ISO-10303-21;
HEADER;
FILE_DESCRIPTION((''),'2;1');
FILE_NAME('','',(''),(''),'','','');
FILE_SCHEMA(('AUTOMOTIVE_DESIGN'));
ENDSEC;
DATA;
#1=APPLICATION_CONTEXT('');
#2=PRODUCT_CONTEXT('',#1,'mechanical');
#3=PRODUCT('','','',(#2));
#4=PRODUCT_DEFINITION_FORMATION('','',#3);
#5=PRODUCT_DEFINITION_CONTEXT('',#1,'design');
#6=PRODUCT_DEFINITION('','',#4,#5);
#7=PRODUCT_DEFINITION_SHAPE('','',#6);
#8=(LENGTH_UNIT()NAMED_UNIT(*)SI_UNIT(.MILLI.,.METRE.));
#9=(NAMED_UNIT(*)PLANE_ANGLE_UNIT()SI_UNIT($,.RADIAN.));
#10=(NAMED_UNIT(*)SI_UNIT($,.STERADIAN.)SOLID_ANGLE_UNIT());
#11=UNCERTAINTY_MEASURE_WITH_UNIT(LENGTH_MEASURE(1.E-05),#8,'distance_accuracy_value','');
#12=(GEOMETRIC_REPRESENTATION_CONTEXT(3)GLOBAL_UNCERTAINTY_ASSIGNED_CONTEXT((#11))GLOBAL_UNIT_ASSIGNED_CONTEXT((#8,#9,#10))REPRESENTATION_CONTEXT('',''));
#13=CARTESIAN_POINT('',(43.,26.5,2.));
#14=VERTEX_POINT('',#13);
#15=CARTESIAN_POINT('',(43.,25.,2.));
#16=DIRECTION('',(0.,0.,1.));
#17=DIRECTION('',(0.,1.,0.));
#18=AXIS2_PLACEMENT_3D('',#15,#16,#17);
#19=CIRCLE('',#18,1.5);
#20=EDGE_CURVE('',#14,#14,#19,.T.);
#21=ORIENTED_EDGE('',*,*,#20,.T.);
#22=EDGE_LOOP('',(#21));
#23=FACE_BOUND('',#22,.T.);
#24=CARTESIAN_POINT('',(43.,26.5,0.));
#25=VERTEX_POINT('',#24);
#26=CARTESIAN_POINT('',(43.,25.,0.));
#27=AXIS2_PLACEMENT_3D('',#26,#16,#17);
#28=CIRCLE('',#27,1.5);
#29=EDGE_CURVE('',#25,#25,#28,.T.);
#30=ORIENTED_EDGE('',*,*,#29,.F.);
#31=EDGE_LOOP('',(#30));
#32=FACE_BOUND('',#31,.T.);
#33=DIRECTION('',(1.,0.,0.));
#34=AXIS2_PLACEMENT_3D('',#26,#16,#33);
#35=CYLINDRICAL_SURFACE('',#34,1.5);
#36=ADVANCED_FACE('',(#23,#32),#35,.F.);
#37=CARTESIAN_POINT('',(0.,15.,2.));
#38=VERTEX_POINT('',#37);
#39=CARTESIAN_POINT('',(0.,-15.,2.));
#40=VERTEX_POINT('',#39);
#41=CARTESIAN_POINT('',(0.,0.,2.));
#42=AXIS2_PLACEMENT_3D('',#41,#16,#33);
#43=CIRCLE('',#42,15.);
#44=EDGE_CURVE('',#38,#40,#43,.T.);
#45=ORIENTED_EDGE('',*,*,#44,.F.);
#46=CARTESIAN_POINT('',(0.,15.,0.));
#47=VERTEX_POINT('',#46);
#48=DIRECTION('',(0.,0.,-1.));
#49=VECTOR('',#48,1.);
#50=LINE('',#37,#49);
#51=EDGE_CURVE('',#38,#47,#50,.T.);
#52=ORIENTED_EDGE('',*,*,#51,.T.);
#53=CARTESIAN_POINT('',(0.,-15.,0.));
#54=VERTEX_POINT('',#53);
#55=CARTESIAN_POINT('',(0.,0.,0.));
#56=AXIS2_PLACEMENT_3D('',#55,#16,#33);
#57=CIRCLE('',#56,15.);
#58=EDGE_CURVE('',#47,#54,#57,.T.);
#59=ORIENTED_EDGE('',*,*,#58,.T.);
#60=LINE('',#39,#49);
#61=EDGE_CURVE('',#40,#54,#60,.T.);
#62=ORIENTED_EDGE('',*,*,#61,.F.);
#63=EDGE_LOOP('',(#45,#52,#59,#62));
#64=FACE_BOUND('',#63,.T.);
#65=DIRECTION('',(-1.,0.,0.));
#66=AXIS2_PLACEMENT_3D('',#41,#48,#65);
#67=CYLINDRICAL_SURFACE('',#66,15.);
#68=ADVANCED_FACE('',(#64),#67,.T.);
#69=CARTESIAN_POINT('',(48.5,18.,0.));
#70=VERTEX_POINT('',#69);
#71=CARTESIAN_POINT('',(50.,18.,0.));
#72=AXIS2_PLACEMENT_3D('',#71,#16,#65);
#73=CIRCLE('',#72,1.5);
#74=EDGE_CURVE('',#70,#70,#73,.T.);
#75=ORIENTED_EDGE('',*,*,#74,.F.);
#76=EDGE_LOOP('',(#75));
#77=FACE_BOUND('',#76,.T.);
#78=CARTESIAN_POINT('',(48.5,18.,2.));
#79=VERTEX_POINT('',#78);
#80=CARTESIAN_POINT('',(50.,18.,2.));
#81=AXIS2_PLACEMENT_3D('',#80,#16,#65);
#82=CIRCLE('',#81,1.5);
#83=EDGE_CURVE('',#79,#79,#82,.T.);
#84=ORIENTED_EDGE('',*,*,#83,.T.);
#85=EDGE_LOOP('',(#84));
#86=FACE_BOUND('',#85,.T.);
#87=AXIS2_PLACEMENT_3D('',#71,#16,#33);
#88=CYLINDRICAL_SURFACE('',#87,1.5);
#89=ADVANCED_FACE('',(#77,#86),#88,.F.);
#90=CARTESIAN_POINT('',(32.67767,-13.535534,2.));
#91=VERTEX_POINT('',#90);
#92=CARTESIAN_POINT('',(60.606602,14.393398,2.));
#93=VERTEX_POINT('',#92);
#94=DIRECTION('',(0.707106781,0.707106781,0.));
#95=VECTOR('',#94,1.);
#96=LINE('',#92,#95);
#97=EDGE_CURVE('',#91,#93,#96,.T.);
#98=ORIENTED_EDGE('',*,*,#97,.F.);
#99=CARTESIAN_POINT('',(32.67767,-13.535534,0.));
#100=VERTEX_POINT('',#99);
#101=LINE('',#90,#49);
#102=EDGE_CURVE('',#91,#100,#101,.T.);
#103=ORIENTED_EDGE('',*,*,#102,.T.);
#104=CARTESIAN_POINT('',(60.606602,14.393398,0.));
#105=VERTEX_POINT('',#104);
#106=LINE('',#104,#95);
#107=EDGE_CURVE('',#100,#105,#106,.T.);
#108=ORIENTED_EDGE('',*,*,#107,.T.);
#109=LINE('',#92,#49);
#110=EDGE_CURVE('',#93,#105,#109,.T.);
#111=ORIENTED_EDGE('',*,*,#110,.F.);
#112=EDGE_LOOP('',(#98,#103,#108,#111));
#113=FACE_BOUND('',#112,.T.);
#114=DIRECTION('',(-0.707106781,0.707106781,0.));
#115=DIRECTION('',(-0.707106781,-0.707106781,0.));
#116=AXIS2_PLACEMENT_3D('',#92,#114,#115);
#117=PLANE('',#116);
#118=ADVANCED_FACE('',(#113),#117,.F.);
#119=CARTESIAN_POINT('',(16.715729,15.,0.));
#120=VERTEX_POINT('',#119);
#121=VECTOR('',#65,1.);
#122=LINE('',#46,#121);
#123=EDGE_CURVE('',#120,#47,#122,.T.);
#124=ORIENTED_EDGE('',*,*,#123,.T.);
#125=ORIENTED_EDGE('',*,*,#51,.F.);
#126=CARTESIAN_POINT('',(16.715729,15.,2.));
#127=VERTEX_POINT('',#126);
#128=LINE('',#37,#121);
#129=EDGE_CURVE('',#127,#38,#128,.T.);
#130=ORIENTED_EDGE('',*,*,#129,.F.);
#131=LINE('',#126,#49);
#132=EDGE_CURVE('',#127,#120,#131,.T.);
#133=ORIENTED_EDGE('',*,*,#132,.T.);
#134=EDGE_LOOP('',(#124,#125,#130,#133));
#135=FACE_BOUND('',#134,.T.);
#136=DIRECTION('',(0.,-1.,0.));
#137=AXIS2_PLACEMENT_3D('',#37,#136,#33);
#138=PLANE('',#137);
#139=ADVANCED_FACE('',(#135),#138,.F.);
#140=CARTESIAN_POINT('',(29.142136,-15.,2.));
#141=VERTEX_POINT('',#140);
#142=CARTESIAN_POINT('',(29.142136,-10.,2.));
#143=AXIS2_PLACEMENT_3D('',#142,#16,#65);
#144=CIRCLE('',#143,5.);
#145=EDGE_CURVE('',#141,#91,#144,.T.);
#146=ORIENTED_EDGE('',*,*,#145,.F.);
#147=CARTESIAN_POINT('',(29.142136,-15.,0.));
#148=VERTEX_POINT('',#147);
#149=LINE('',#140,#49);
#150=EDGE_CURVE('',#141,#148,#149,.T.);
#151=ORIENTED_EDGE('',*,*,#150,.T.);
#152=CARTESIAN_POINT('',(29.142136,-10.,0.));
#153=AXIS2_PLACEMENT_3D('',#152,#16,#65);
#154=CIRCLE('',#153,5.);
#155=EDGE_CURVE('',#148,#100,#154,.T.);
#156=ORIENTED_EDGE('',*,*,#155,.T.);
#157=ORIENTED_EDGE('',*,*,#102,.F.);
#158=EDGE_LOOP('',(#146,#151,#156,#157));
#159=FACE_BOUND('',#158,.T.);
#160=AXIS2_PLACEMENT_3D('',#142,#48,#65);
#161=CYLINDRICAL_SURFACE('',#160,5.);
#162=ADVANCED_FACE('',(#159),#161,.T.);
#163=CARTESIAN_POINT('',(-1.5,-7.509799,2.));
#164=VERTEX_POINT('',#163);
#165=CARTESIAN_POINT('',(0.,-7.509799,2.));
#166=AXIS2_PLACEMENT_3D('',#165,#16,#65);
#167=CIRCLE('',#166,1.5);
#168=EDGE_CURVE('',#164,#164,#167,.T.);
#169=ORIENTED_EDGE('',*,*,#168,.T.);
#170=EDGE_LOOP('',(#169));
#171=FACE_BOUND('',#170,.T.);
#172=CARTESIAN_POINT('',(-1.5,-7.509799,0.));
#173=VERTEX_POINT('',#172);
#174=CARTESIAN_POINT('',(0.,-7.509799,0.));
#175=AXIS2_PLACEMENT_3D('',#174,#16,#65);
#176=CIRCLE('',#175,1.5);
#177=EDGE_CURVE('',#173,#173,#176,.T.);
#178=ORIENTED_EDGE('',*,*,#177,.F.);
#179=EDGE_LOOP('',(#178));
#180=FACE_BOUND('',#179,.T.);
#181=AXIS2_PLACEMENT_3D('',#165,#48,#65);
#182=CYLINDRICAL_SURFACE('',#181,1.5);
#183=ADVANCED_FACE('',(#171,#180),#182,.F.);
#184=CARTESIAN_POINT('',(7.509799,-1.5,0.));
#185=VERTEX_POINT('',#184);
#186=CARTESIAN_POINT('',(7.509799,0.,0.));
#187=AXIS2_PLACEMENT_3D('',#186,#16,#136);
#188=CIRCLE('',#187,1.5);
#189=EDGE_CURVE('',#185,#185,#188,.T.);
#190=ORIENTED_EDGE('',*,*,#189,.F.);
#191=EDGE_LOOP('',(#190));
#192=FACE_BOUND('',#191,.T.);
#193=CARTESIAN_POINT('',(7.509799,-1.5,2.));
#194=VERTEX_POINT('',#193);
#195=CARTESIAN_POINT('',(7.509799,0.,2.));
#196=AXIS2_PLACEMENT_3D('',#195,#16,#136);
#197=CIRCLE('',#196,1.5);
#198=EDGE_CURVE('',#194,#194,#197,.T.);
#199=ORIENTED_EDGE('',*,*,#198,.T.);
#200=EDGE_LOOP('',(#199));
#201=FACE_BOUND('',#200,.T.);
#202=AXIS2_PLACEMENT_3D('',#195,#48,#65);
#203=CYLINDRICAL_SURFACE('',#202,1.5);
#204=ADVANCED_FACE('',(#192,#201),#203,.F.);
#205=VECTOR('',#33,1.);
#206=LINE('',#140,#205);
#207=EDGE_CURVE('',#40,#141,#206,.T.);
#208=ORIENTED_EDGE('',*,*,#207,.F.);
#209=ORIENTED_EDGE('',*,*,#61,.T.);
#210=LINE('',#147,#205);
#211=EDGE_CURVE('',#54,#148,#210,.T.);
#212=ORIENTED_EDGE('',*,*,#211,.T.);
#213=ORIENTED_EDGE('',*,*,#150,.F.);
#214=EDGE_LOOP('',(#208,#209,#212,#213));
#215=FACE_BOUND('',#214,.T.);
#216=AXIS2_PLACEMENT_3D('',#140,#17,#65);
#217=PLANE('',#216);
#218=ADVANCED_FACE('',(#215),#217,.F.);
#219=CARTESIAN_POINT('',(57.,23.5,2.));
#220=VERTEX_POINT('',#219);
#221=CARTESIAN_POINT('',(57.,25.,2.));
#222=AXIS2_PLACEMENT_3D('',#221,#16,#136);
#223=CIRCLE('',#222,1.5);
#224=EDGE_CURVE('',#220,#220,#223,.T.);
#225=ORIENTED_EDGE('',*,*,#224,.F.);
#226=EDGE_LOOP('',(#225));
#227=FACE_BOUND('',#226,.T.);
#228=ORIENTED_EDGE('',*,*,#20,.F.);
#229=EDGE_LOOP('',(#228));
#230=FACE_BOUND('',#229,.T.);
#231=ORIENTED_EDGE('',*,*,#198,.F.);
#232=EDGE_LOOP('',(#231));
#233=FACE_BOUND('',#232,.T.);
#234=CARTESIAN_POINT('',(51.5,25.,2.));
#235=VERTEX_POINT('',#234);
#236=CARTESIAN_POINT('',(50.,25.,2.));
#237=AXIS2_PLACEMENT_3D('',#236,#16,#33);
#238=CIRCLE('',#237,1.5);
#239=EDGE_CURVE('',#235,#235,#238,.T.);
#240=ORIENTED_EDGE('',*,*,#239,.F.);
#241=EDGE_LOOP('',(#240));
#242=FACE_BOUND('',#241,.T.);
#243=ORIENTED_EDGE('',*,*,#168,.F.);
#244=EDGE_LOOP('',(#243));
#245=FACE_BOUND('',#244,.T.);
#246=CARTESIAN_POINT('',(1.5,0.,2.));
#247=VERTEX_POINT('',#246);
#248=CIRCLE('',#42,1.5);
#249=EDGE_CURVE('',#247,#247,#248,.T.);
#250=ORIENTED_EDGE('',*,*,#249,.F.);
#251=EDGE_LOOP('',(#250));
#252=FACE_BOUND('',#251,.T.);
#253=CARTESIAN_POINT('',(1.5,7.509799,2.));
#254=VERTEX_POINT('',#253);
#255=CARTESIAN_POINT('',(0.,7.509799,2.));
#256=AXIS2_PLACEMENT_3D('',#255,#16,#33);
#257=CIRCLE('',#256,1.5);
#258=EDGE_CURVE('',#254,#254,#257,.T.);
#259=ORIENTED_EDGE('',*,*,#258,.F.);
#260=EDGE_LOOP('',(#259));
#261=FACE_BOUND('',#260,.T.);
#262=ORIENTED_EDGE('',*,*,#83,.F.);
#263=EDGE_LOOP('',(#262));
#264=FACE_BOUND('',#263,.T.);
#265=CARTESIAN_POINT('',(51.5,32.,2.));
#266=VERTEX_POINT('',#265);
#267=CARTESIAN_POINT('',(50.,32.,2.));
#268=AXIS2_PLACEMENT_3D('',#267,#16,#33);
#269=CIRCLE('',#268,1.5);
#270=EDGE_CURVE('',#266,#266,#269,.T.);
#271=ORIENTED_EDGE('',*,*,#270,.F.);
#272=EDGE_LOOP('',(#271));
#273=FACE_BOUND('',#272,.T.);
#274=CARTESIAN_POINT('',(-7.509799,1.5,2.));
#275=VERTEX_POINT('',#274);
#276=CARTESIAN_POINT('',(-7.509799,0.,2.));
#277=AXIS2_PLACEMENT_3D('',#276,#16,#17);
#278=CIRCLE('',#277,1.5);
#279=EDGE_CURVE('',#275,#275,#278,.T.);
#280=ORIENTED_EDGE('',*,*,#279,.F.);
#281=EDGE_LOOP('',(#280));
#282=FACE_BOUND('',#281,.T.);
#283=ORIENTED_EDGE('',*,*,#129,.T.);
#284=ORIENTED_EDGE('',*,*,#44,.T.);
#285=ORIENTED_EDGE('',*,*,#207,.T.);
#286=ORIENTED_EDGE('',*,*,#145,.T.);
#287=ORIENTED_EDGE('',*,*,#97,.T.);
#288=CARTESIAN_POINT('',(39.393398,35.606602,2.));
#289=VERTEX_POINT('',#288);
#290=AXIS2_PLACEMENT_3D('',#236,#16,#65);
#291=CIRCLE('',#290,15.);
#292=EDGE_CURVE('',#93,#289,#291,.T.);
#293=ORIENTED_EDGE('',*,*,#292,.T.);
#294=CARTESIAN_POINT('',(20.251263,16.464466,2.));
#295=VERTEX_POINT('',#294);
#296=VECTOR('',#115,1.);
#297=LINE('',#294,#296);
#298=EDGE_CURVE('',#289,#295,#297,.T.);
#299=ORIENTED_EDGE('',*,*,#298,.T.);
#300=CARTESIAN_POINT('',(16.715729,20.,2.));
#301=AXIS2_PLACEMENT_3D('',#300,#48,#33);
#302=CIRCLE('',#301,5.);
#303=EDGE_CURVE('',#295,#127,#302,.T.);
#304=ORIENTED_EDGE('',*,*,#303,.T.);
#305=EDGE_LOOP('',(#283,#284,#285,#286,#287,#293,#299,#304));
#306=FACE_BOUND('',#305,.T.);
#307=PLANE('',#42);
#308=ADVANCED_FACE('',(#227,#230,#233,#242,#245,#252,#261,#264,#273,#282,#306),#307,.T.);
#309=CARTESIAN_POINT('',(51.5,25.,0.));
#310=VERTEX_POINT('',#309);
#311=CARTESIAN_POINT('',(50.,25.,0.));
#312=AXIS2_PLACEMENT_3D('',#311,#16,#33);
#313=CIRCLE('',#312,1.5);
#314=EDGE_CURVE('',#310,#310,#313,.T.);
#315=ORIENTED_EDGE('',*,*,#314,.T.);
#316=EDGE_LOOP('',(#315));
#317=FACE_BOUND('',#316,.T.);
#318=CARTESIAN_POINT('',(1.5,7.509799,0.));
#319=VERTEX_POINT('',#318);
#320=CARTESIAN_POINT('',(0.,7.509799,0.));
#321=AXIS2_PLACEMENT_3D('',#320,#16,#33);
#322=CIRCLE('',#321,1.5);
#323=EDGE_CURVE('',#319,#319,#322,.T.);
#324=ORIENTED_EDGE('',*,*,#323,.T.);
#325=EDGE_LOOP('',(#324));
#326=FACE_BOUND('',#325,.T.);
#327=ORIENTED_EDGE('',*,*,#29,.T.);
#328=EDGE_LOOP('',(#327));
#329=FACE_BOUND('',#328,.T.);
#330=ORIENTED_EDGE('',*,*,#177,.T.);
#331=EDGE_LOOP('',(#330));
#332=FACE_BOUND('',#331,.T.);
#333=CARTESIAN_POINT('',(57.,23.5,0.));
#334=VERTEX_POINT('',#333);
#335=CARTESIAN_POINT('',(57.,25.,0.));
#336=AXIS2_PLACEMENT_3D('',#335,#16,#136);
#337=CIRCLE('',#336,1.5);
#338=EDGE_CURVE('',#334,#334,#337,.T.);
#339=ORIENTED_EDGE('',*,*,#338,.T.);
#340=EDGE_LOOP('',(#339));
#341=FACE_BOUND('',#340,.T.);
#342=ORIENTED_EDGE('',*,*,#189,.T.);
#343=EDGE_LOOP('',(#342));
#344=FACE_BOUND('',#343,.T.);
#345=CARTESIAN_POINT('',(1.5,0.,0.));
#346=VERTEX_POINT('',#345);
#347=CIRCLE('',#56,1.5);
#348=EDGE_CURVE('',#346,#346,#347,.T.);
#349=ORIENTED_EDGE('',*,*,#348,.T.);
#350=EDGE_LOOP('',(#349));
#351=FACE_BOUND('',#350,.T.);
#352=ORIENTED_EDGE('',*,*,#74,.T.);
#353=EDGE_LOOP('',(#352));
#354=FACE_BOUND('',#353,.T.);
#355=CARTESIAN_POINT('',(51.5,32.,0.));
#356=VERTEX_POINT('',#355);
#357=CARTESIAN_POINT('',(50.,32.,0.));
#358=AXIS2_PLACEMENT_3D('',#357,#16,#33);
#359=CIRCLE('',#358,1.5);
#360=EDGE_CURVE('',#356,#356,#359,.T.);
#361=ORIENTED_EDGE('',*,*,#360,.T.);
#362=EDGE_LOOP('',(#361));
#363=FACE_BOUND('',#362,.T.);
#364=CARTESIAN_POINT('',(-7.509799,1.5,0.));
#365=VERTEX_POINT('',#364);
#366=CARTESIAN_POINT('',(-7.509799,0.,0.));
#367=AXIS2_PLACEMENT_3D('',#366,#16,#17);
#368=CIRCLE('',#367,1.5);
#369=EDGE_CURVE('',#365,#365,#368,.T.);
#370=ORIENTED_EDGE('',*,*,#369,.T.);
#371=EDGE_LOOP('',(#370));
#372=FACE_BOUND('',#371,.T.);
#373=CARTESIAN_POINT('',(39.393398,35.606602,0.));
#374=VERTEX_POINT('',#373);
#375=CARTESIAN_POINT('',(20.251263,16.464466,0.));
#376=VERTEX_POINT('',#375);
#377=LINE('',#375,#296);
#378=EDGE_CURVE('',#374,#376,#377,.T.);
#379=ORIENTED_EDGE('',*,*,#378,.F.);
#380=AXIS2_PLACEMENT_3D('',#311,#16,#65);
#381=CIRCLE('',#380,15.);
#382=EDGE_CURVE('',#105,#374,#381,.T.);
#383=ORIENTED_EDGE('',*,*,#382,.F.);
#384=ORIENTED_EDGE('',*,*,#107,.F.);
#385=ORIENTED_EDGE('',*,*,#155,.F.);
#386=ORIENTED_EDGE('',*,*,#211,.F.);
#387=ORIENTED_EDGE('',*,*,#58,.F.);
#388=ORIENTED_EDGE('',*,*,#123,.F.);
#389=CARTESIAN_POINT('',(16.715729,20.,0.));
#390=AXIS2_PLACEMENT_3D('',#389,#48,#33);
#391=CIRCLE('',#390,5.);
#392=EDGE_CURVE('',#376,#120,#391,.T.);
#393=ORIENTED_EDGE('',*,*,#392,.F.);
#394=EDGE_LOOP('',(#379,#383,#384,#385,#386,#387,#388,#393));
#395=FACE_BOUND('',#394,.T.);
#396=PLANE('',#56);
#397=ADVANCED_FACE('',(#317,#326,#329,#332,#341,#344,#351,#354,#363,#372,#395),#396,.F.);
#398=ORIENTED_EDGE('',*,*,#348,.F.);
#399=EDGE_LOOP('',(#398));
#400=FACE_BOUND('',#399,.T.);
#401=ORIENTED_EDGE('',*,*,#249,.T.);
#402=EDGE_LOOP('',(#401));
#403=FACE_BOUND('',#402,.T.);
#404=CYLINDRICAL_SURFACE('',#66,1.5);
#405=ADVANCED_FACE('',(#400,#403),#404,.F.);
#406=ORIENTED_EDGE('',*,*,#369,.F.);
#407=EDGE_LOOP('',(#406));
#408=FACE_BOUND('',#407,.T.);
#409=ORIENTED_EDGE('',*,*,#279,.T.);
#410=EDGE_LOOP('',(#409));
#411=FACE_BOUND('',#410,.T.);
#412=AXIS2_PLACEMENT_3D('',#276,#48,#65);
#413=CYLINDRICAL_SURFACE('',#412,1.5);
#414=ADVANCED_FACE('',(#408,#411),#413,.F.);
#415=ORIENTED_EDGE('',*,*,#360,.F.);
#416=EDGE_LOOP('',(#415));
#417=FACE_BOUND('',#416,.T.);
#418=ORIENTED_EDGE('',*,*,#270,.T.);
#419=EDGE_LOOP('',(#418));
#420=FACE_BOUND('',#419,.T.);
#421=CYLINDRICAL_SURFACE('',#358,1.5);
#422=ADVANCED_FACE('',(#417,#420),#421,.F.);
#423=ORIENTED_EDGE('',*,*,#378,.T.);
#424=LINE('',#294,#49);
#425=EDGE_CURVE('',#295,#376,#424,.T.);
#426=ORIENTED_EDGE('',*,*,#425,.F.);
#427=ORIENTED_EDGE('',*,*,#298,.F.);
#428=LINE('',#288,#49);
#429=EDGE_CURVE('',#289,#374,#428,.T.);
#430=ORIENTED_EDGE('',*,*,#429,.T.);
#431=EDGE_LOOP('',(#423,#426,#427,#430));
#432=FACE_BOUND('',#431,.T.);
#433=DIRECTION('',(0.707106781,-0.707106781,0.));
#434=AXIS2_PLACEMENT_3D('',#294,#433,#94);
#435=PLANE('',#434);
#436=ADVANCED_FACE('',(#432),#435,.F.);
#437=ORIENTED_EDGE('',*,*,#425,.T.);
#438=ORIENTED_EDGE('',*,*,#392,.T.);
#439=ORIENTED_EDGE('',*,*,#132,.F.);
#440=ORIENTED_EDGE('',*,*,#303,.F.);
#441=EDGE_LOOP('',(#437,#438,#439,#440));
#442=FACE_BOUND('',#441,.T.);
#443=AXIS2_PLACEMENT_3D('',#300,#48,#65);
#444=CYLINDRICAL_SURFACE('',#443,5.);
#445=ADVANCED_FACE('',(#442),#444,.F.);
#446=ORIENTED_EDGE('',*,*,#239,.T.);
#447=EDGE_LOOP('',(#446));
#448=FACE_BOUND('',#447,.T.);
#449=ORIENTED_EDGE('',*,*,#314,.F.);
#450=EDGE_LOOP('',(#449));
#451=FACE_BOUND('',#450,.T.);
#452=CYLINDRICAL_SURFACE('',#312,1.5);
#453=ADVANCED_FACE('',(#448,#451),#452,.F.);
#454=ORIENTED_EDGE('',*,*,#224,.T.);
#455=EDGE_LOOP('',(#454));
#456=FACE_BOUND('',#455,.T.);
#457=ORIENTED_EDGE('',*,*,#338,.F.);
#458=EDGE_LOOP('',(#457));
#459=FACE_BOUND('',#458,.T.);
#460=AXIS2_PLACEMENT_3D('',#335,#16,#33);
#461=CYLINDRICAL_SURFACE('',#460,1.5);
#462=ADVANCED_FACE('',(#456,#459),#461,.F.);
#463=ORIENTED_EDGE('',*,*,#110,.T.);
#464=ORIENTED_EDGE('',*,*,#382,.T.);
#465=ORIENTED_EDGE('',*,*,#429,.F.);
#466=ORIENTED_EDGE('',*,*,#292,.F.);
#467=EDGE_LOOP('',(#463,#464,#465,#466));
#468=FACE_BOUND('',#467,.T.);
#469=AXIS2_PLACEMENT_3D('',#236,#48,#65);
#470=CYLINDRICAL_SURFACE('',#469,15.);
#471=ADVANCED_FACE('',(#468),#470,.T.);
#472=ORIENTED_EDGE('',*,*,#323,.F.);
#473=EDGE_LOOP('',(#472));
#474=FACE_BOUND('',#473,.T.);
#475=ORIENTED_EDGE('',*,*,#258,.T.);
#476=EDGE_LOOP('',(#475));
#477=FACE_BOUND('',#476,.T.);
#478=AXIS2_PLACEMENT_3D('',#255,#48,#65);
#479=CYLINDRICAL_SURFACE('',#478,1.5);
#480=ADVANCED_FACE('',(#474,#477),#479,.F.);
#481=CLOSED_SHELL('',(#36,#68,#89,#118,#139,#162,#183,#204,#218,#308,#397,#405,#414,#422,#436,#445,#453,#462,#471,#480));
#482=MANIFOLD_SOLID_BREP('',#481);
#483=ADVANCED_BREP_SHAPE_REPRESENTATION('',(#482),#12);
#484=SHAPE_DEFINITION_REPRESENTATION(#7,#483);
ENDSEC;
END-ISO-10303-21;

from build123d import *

# Parameters (mm, degrees)
SALIENTE_EXTRUIR1_DEPTH = 2
CROQUIS1_R              = 1.5
CORTAR_EXTRUIR1_DEPTH   = 2
CROQUIS2_R              = 1.5
CORTAR_EXTRUIR2_DEPTH   = 2
MATRIZC1_COUNT          = 4
CROQUIS4_R              = 1.5
CORTAR_EXTRUIR3_DEPTH   = 2
CROQUIS5_R              = 1.5
CORTAR_EXTRUIR4_DEPTH   = 2
MATRIZC2_COUNT          = 4


with BuildPart() as part:
    # Croquis3 → Saliente-Extruir1 (new body)
    with BuildSketch(Plane.XY):
        with BuildLine():
            Line((0, 15), (16.715728753, 15))
            ThreePointArc((16.715728753, 15), (18.629145914, 15.380602337), (20.251262658, 16.464466094))
            Line((20.251262658, 16.464466094), (39.393398282, 35.606601717))
            ThreePointArc((39.393398282, 35.606601717), (60.606601717, 35.606601717), (60.606601717, 14.393398282))
            Line((60.606601717, 14.393398282), (32.67766953, -13.535533906))
            ThreePointArc((32.67766953, -13.535533906), (31.055552786, -14.619397663), (29.142135624, -15))
            Line((29.142135624, -15), (0, -15))
            ThreePointArc((0, -15), (-15, 0), (0, 15))
        make_face()
    extrude(amount=SALIENTE_EXTRUIR1_DEPTH)

    # Croquis1 → Cortar-Extruir1 (cut)
    with BuildSketch(Plane.XY):
        Circle(CROQUIS1_R)
    extrude(amount=CORTAR_EXTRUIR1_DEPTH, mode=Mode.SUBTRACT)

    # Croquis2 → Cortar-Extruir2 (cut)
    with BuildSketch(Plane.XY):
        with Locations((0, 7.509798768)):
            Circle(CROQUIS2_R)
    cortar_extruir2 = extrude(amount=CORTAR_EXTRUIR2_DEPTH, mode=Mode.SUBTRACT)

    # MatrizC1: Cortar-Extruir2 ×4 about axis
    matrizc1_axis = Axis((0, 0, 0), (0, 0, 1))
    for i in range(1, MATRIZC1_COUNT):
        add(cortar_extruir2.rotate(matrizc1_axis, i * 360 / MATRIZC1_COUNT), mode=Mode.SUBTRACT)

    # Croquis4 → Cortar-Extruir3 (cut)
    with BuildSketch(Plane.XY.offset(2)):
        with Locations((50, 25)):
            Circle(CROQUIS4_R)
    extrude(amount=-CORTAR_EXTRUIR3_DEPTH, mode=Mode.SUBTRACT)

    # Croquis5 → Cortar-Extruir4 (cut)
    with BuildSketch(Plane.XY.offset(2)):
        with Locations((50, 32)):
            Circle(CROQUIS5_R)
    cortar_extruir4 = extrude(amount=-CORTAR_EXTRUIR4_DEPTH, mode=Mode.SUBTRACT)

    # MatrizC2: Cortar-Extruir4 ×4 about axis
    matrizc2_axis = Axis((50, 25, 0), (0, 0, 1))
    for i in range(1, MATRIZC2_COUNT):
        add(cortar_extruir4.rotate(matrizc2_axis, i * 360 / MATRIZC2_COUNT), mode=Mode.SUBTRACT)


solid = part.part
